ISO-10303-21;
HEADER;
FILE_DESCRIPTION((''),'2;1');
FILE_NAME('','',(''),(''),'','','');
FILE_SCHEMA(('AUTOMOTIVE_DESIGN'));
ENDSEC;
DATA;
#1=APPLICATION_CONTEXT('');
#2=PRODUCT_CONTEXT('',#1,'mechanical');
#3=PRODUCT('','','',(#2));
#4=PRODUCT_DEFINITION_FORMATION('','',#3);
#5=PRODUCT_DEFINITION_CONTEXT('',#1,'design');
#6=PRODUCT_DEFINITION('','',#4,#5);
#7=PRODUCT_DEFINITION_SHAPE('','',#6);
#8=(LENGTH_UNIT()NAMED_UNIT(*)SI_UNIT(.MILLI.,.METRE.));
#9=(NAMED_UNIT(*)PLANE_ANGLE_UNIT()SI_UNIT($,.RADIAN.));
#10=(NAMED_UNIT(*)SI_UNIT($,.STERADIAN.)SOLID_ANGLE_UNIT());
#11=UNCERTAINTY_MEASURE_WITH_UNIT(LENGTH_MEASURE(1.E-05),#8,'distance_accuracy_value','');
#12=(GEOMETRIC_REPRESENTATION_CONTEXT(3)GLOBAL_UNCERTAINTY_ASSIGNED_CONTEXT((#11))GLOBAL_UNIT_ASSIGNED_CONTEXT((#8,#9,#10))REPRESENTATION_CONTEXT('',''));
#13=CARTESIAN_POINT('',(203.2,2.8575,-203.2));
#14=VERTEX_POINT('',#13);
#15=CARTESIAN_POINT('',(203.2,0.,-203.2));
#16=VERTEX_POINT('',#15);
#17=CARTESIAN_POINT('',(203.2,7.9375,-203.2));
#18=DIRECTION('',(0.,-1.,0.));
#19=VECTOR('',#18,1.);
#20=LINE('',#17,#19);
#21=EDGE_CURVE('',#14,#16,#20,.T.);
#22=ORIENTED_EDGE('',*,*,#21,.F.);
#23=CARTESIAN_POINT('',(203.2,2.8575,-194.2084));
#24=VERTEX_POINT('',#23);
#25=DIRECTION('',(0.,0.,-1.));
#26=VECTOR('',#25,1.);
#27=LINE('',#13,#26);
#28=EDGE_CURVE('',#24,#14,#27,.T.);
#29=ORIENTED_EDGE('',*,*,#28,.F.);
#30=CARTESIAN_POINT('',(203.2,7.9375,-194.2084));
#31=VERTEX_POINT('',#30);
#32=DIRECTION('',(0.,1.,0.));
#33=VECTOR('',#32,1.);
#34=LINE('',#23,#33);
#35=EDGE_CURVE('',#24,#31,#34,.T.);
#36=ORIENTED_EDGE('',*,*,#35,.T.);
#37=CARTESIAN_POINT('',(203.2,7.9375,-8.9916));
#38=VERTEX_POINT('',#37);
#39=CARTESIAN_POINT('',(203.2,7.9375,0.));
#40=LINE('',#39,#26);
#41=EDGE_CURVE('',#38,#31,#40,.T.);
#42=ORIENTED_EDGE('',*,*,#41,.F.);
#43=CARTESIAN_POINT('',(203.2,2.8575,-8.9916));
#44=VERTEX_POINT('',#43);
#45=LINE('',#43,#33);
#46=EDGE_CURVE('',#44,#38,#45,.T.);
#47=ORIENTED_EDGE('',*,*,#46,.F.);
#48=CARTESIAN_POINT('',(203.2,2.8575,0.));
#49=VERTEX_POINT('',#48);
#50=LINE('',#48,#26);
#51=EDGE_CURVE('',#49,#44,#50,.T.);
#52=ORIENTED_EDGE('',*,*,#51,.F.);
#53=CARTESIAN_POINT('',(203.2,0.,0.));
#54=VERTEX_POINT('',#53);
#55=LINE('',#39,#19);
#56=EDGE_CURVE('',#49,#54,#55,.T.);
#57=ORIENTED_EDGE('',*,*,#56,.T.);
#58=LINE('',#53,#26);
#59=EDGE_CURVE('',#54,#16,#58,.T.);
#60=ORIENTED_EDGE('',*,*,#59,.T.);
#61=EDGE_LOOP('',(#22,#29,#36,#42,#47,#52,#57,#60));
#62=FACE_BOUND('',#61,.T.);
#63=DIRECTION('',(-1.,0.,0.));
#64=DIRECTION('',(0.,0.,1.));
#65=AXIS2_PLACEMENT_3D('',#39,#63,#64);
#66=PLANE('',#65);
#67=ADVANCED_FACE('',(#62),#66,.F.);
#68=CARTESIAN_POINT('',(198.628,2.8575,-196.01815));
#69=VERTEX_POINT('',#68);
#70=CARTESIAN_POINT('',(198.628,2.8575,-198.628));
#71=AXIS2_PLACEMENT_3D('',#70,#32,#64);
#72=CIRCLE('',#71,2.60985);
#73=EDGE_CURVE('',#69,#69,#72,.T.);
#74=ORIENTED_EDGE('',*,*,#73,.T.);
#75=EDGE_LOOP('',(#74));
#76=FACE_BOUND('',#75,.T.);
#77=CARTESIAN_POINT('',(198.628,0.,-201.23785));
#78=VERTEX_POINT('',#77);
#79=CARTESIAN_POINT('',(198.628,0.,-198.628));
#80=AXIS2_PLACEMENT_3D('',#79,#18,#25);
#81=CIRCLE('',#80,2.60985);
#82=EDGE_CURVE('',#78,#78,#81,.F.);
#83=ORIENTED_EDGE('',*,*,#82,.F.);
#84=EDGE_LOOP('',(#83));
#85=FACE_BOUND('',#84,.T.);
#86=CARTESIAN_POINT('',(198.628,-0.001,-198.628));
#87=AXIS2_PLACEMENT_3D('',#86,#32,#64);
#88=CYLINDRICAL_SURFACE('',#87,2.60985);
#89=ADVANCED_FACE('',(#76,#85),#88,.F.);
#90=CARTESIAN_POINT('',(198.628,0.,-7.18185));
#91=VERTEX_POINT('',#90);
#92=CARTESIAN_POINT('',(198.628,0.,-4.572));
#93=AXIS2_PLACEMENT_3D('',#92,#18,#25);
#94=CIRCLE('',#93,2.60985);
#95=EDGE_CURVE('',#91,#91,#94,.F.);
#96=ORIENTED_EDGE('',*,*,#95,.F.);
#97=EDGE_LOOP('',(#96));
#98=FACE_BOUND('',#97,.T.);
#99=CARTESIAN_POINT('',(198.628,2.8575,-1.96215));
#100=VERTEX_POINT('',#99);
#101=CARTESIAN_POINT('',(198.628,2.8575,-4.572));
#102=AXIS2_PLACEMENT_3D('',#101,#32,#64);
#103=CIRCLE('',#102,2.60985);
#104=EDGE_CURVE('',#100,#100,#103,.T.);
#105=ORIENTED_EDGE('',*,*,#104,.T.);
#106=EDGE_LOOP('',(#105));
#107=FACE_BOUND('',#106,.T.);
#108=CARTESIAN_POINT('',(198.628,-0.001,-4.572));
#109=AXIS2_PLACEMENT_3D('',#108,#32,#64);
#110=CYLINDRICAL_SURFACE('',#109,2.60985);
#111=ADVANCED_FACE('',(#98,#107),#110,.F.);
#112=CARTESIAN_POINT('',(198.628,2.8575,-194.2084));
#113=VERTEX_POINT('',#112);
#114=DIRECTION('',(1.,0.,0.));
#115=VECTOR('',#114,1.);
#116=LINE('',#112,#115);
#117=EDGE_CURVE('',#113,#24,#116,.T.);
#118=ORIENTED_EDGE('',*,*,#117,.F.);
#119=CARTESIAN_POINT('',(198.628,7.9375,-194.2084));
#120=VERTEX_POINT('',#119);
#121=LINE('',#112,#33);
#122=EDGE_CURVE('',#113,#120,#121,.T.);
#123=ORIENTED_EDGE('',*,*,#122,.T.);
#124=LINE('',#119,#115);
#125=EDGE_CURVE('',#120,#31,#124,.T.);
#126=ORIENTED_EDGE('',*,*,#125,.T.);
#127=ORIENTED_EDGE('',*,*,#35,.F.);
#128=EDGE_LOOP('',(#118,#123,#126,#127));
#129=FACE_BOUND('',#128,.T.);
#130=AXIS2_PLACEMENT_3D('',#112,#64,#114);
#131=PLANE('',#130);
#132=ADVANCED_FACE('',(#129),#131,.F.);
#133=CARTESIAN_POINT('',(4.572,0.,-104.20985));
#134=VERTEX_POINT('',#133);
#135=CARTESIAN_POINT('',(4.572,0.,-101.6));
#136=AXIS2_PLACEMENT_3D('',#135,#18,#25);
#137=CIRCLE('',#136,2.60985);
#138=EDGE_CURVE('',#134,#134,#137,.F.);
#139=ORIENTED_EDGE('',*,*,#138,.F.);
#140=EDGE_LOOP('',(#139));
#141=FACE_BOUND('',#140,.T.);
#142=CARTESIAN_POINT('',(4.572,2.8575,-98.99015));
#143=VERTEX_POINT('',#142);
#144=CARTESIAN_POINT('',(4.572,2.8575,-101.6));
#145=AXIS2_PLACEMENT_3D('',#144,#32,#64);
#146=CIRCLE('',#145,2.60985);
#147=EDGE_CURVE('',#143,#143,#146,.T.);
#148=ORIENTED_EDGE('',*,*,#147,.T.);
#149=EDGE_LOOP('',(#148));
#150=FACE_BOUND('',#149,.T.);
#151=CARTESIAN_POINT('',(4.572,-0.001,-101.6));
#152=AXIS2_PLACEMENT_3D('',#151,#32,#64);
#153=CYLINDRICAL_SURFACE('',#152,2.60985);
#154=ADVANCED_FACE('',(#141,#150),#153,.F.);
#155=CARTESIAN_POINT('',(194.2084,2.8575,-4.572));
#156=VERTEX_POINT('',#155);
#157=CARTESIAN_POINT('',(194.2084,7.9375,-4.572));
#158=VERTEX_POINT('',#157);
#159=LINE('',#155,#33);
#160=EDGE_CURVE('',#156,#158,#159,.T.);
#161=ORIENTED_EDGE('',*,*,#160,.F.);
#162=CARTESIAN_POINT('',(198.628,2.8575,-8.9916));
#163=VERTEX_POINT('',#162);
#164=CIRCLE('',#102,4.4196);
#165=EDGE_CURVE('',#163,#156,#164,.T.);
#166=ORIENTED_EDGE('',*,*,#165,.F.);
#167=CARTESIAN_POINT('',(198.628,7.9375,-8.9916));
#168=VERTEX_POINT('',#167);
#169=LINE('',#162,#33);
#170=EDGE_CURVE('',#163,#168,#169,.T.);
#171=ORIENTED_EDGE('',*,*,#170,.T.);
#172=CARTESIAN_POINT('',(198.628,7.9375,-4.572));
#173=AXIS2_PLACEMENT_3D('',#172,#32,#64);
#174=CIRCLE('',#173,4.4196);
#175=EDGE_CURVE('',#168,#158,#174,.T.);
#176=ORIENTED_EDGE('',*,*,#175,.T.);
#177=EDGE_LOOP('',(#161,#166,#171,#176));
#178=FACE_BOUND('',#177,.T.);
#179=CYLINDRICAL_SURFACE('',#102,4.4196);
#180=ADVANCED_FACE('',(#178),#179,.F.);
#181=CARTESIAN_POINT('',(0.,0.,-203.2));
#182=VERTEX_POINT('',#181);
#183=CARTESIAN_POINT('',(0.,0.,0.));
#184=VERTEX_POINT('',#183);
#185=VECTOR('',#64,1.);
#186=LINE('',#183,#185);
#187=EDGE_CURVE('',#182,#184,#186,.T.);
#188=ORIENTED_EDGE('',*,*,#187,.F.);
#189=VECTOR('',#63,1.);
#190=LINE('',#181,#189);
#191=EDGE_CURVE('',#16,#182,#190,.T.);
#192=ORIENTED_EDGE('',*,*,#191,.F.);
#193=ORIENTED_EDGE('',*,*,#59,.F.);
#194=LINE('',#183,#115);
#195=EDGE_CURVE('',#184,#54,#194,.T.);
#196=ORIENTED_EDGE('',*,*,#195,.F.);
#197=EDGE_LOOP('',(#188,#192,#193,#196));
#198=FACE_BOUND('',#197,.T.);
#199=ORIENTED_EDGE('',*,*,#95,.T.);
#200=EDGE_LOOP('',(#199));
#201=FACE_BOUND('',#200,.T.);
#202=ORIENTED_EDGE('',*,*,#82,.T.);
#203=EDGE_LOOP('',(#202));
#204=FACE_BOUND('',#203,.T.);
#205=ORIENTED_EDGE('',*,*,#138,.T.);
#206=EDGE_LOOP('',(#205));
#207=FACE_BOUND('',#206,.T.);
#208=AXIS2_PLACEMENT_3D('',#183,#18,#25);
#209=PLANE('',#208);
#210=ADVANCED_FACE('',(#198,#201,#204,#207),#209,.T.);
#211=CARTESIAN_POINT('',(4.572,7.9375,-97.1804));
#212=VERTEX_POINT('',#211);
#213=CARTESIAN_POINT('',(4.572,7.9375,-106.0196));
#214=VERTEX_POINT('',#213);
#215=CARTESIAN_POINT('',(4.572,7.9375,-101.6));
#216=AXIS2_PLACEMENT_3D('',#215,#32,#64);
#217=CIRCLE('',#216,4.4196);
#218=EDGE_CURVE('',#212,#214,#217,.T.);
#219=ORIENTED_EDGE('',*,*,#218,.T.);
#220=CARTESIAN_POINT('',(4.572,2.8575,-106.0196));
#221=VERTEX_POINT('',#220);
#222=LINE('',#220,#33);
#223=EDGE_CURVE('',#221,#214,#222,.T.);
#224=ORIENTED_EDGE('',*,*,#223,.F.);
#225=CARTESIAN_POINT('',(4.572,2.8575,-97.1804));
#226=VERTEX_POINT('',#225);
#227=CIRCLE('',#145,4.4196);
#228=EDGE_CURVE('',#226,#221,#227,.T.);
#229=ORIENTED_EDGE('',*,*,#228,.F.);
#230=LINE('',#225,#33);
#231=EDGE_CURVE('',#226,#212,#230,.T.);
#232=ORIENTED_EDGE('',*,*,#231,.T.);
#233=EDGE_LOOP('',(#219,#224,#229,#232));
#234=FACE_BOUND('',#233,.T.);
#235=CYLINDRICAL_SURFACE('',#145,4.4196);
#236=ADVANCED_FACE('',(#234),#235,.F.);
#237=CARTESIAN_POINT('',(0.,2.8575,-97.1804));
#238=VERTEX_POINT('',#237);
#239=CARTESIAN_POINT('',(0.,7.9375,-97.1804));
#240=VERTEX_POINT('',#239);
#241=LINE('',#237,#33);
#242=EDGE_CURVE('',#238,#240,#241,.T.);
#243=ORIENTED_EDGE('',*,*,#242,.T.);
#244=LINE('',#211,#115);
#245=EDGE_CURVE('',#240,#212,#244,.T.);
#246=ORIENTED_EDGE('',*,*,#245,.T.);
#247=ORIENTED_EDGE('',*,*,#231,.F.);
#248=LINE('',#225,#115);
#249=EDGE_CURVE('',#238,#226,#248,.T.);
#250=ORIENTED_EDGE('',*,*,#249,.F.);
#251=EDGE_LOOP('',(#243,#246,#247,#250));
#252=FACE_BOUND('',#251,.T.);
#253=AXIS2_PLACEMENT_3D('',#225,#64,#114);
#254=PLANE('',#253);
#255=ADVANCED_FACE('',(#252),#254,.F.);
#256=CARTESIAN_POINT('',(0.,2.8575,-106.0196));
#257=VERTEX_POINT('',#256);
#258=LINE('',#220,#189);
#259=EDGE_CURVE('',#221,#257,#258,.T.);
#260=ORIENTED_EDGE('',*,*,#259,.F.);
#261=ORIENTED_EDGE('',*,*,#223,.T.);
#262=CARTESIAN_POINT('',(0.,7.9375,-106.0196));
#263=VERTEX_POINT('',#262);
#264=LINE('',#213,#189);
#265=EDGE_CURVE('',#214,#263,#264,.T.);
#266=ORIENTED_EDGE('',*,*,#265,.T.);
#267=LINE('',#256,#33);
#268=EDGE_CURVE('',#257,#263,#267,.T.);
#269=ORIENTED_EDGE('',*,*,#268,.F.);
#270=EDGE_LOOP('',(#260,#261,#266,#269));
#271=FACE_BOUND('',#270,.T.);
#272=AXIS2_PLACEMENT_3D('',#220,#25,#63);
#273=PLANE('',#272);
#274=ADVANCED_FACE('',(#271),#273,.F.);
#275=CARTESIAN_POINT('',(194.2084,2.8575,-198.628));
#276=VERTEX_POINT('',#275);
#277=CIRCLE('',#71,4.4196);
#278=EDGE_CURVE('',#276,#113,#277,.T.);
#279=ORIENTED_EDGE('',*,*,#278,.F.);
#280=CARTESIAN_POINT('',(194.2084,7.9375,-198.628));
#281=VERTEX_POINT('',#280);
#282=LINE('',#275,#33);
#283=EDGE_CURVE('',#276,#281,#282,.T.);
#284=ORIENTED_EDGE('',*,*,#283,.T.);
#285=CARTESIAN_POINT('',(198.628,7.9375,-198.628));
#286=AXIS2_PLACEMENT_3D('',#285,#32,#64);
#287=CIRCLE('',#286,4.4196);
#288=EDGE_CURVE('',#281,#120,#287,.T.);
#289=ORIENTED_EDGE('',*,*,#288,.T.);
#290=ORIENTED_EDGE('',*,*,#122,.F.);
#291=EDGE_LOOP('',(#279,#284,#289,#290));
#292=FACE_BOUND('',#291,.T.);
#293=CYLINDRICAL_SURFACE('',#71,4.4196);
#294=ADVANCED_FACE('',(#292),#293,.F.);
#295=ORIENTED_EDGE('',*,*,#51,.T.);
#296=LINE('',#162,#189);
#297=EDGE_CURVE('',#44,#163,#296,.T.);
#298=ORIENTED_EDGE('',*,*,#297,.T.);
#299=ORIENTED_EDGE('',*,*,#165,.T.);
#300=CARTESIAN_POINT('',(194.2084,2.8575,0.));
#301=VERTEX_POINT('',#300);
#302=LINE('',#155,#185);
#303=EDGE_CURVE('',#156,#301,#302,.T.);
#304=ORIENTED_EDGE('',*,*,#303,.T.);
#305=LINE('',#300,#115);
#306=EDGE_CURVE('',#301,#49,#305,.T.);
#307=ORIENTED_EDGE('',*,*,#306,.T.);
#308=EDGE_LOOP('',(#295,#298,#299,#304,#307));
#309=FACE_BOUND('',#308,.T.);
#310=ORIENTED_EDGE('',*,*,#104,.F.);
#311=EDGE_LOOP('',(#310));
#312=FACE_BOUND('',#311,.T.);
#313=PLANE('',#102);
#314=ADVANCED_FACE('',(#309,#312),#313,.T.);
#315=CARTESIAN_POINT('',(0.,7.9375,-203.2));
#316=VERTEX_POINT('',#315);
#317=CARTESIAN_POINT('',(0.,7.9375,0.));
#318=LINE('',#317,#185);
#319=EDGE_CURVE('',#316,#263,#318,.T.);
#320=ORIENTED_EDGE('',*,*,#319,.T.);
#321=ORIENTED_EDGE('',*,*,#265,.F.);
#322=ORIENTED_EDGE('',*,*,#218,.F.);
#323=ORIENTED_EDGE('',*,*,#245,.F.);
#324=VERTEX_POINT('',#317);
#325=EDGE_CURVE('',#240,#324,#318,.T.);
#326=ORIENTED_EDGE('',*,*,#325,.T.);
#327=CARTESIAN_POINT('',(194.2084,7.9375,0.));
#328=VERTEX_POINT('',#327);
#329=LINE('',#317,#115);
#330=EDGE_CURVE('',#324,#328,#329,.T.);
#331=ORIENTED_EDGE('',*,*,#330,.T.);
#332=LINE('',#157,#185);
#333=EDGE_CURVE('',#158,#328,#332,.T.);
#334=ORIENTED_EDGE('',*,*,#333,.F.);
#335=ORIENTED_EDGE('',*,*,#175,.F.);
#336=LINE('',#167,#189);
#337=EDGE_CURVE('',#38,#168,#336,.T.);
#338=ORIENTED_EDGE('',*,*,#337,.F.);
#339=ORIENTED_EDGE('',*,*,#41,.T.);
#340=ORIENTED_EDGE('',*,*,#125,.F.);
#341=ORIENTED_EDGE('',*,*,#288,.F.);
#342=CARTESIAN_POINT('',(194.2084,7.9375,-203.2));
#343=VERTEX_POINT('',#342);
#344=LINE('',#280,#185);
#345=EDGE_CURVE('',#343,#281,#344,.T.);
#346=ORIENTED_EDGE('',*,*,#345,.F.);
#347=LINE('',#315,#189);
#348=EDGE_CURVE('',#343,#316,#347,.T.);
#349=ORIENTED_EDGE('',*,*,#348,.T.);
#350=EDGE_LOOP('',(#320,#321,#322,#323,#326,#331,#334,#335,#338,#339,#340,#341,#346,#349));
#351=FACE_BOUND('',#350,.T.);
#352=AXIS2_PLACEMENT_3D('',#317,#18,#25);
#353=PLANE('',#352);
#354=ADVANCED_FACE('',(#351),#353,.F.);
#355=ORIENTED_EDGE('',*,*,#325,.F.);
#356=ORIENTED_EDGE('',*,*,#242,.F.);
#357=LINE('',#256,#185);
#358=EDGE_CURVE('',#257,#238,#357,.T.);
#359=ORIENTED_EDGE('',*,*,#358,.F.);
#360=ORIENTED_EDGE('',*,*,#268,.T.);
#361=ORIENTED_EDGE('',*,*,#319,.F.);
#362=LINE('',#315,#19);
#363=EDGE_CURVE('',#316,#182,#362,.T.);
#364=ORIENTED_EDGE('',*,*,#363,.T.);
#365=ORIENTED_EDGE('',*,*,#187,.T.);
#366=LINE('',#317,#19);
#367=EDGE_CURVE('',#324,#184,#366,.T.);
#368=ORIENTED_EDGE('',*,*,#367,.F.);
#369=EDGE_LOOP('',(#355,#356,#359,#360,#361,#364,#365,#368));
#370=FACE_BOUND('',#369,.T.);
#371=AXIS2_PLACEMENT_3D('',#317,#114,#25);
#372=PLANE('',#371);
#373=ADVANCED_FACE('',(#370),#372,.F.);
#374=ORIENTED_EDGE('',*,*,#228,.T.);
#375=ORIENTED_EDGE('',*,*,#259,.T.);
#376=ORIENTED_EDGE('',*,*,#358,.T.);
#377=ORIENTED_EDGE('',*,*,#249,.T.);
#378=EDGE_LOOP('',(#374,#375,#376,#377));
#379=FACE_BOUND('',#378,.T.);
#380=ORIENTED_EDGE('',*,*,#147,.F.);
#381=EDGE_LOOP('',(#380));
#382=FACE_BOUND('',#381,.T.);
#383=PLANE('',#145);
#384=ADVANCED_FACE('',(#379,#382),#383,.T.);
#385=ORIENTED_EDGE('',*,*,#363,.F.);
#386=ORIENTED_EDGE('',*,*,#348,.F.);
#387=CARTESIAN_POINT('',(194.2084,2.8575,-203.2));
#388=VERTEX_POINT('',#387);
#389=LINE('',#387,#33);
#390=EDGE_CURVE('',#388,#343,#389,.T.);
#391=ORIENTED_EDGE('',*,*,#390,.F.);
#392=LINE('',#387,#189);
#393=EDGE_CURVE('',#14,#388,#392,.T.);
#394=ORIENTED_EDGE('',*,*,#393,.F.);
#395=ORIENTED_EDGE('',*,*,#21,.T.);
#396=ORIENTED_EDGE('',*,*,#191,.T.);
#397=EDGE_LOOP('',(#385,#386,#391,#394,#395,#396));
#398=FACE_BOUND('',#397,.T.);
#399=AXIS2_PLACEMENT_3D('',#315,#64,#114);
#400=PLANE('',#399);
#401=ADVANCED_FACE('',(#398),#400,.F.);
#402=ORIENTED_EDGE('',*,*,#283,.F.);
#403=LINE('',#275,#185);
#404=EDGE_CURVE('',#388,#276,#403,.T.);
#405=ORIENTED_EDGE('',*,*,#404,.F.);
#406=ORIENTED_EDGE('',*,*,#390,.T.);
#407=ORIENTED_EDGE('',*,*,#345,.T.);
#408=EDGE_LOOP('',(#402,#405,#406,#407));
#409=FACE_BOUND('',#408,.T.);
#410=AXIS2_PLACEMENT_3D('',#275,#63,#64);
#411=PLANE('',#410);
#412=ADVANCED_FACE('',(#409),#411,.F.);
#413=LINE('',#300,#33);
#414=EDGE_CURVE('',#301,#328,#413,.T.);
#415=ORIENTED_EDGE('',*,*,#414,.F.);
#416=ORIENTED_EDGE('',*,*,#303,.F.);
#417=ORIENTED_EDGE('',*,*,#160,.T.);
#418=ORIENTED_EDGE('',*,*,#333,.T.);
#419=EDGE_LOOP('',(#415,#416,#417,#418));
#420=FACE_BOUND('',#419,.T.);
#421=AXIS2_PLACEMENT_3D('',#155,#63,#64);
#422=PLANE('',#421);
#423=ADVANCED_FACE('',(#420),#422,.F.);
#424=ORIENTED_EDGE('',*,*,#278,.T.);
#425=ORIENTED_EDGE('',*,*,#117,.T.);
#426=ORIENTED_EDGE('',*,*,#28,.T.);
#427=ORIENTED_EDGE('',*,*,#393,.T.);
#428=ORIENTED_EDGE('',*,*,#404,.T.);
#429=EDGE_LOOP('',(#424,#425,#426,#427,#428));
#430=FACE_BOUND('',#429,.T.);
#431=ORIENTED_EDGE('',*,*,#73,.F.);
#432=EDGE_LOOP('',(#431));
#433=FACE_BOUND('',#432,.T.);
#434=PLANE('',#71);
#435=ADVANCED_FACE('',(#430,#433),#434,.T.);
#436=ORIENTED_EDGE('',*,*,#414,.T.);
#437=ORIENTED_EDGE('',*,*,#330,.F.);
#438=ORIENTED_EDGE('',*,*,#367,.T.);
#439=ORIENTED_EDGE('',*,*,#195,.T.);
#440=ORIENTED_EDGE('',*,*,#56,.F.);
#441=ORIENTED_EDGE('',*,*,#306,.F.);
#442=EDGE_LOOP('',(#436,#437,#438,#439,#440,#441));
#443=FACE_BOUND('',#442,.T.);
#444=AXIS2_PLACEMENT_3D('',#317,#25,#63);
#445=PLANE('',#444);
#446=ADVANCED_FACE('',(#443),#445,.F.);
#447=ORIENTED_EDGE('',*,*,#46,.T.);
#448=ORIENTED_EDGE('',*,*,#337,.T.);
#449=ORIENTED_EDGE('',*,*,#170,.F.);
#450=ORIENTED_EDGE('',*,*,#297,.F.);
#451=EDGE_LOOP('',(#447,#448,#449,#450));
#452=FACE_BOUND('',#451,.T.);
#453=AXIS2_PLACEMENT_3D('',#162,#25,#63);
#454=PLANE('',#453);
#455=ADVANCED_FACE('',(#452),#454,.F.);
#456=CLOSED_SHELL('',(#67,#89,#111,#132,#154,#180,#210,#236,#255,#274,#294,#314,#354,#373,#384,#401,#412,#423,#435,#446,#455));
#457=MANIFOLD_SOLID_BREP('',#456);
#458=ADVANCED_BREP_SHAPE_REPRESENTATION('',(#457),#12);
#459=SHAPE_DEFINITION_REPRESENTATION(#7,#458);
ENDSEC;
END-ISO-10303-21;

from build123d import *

# Parameters (mm, degrees)
SKETCH1_W           = 203.2
SKETCH1_H           = 203.2
BOSS_EXTRUDE1_DEPTH = 7.9375
HOLES_REACH         = 9.938
SKETCH3_R           = 2.60985
SKETCH4_R           = 2.60985
COUNTERS_DEPTH      = 5.08


with BuildPart() as part:
    # Sketch1 → Boss-Extrude1 (new body)
    with BuildSketch(Plane(origin=(0, 0, 0), x_dir=(1, 0, 0), z_dir=(0, 1, 0))):
        with Locations((101.6, 101.6)):
            Rectangle(SKETCH1_W, SKETCH1_H)
    extrude(amount=BOSS_EXTRUDE1_DEPTH)

    # Sketch3 → holes (cut, up to next)
    with BuildSketch(Plane(origin=(0, 7.9375, 0), x_dir=(1, 0, 0), z_dir=(0, 1, 0)), mode=Mode.PRIVATE) as holes_sk1:
        with Locations((4.572, 101.6)):
            Circle(SKETCH3_R)
    holes_tool1 = extrude(holes_sk1.sketch, amount=-HOLES_REACH, mode=Mode.PRIVATE) & part.part
    add(holes_tool1.solids().sort_by_distance((4.572, 7.9375, -101.6))[0], mode=Mode.SUBTRACT)
    # Sketch3 → holes (cut, up to next)
    with BuildSketch(Plane(origin=(0, 7.9375, 0), x_dir=(1, 0, 0), z_dir=(0, 1, 0)), mode=Mode.PRIVATE) as holes_sk2:
        with Locations((198.628, 198.628)):
            Circle(SKETCH3_R)
    holes_tool2 = extrude(holes_sk2.sketch, amount=-HOLES_REACH, mode=Mode.PRIVATE) & part.part
    add(holes_tool2.solids().sort_by_distance((198.628, 7.9375, -198.628))[0], mode=Mode.SUBTRACT)
    # Sketch3 → holes (cut, up to next)
    with BuildSketch(Plane(origin=(0, 7.9375, 0), x_dir=(1, 0, 0), z_dir=(0, 1, 0)), mode=Mode.PRIVATE) as holes_sk3:
        with Locations((198.628, 4.572)):
            Circle(SKETCH3_R)
    holes_tool3 = extrude(holes_sk3.sketch, amount=-HOLES_REACH, mode=Mode.PRIVATE) & part.part
    add(holes_tool3.solids().sort_by_distance((198.628, 7.9375, -4.572))[0], mode=Mode.SUBTRACT)

    # Sketch4 → counters (cut)
    with BuildSketch(Plane(origin=(0, 7.9375, 0), x_dir=(1, 0, 0), z_dir=(0, 1, 0))):
        with BuildLine():
            Line((4.572, 106.0196), (0, 106.0196))
            Line((0, 106.0196), (0, 97.1804))
            Line((0, 97.1804), (4.572, 97.1804))
            ThreePointArc((4.572, 97.1804), (8.9916, 101.6), (4.572, 106.0196))
        make_face()
        with Locations((4.572, 101.6)):
            Circle(SKETCH4_R, mode=Mode.SUBTRACT)
        with BuildLine():
            Line((194.2084, 198.628), (194.2084, 203.2))
            Line((194.2084, 203.2), (203.2, 203.2))
            Line((203.2, 203.2), (203.2, 194.2084))
            Line((203.2, 194.2084), (198.628, 194.2084))
            ThreePointArc((198.628, 194.2084), (195.50287087, 195.50287087), (194.2084, 198.628))
        make_face()
        with Locations((198.628, 198.628)):
            Circle(SKETCH4_R, mode=Mode.SUBTRACT)
        with BuildLine():
            Line((194.2084, 4.572), (194.2084, 0))
            Line((194.2084, 0), (203.2, 0))
            Line((203.2, 0), (203.2, 8.9916))
            Line((203.2, 8.9916), (198.628, 8.9916))
            ThreePointArc((198.628, 8.9916), (195.50287087, 7.69712913), (194.2084, 4.572))
        make_face()
        with Locations((198.628, 4.572)):
            Circle(SKETCH4_R, mode=Mode.SUBTRACT)
    extrude(amount=-COUNTERS_DEPTH, mode=Mode.SUBTRACT)


solid = part.part
